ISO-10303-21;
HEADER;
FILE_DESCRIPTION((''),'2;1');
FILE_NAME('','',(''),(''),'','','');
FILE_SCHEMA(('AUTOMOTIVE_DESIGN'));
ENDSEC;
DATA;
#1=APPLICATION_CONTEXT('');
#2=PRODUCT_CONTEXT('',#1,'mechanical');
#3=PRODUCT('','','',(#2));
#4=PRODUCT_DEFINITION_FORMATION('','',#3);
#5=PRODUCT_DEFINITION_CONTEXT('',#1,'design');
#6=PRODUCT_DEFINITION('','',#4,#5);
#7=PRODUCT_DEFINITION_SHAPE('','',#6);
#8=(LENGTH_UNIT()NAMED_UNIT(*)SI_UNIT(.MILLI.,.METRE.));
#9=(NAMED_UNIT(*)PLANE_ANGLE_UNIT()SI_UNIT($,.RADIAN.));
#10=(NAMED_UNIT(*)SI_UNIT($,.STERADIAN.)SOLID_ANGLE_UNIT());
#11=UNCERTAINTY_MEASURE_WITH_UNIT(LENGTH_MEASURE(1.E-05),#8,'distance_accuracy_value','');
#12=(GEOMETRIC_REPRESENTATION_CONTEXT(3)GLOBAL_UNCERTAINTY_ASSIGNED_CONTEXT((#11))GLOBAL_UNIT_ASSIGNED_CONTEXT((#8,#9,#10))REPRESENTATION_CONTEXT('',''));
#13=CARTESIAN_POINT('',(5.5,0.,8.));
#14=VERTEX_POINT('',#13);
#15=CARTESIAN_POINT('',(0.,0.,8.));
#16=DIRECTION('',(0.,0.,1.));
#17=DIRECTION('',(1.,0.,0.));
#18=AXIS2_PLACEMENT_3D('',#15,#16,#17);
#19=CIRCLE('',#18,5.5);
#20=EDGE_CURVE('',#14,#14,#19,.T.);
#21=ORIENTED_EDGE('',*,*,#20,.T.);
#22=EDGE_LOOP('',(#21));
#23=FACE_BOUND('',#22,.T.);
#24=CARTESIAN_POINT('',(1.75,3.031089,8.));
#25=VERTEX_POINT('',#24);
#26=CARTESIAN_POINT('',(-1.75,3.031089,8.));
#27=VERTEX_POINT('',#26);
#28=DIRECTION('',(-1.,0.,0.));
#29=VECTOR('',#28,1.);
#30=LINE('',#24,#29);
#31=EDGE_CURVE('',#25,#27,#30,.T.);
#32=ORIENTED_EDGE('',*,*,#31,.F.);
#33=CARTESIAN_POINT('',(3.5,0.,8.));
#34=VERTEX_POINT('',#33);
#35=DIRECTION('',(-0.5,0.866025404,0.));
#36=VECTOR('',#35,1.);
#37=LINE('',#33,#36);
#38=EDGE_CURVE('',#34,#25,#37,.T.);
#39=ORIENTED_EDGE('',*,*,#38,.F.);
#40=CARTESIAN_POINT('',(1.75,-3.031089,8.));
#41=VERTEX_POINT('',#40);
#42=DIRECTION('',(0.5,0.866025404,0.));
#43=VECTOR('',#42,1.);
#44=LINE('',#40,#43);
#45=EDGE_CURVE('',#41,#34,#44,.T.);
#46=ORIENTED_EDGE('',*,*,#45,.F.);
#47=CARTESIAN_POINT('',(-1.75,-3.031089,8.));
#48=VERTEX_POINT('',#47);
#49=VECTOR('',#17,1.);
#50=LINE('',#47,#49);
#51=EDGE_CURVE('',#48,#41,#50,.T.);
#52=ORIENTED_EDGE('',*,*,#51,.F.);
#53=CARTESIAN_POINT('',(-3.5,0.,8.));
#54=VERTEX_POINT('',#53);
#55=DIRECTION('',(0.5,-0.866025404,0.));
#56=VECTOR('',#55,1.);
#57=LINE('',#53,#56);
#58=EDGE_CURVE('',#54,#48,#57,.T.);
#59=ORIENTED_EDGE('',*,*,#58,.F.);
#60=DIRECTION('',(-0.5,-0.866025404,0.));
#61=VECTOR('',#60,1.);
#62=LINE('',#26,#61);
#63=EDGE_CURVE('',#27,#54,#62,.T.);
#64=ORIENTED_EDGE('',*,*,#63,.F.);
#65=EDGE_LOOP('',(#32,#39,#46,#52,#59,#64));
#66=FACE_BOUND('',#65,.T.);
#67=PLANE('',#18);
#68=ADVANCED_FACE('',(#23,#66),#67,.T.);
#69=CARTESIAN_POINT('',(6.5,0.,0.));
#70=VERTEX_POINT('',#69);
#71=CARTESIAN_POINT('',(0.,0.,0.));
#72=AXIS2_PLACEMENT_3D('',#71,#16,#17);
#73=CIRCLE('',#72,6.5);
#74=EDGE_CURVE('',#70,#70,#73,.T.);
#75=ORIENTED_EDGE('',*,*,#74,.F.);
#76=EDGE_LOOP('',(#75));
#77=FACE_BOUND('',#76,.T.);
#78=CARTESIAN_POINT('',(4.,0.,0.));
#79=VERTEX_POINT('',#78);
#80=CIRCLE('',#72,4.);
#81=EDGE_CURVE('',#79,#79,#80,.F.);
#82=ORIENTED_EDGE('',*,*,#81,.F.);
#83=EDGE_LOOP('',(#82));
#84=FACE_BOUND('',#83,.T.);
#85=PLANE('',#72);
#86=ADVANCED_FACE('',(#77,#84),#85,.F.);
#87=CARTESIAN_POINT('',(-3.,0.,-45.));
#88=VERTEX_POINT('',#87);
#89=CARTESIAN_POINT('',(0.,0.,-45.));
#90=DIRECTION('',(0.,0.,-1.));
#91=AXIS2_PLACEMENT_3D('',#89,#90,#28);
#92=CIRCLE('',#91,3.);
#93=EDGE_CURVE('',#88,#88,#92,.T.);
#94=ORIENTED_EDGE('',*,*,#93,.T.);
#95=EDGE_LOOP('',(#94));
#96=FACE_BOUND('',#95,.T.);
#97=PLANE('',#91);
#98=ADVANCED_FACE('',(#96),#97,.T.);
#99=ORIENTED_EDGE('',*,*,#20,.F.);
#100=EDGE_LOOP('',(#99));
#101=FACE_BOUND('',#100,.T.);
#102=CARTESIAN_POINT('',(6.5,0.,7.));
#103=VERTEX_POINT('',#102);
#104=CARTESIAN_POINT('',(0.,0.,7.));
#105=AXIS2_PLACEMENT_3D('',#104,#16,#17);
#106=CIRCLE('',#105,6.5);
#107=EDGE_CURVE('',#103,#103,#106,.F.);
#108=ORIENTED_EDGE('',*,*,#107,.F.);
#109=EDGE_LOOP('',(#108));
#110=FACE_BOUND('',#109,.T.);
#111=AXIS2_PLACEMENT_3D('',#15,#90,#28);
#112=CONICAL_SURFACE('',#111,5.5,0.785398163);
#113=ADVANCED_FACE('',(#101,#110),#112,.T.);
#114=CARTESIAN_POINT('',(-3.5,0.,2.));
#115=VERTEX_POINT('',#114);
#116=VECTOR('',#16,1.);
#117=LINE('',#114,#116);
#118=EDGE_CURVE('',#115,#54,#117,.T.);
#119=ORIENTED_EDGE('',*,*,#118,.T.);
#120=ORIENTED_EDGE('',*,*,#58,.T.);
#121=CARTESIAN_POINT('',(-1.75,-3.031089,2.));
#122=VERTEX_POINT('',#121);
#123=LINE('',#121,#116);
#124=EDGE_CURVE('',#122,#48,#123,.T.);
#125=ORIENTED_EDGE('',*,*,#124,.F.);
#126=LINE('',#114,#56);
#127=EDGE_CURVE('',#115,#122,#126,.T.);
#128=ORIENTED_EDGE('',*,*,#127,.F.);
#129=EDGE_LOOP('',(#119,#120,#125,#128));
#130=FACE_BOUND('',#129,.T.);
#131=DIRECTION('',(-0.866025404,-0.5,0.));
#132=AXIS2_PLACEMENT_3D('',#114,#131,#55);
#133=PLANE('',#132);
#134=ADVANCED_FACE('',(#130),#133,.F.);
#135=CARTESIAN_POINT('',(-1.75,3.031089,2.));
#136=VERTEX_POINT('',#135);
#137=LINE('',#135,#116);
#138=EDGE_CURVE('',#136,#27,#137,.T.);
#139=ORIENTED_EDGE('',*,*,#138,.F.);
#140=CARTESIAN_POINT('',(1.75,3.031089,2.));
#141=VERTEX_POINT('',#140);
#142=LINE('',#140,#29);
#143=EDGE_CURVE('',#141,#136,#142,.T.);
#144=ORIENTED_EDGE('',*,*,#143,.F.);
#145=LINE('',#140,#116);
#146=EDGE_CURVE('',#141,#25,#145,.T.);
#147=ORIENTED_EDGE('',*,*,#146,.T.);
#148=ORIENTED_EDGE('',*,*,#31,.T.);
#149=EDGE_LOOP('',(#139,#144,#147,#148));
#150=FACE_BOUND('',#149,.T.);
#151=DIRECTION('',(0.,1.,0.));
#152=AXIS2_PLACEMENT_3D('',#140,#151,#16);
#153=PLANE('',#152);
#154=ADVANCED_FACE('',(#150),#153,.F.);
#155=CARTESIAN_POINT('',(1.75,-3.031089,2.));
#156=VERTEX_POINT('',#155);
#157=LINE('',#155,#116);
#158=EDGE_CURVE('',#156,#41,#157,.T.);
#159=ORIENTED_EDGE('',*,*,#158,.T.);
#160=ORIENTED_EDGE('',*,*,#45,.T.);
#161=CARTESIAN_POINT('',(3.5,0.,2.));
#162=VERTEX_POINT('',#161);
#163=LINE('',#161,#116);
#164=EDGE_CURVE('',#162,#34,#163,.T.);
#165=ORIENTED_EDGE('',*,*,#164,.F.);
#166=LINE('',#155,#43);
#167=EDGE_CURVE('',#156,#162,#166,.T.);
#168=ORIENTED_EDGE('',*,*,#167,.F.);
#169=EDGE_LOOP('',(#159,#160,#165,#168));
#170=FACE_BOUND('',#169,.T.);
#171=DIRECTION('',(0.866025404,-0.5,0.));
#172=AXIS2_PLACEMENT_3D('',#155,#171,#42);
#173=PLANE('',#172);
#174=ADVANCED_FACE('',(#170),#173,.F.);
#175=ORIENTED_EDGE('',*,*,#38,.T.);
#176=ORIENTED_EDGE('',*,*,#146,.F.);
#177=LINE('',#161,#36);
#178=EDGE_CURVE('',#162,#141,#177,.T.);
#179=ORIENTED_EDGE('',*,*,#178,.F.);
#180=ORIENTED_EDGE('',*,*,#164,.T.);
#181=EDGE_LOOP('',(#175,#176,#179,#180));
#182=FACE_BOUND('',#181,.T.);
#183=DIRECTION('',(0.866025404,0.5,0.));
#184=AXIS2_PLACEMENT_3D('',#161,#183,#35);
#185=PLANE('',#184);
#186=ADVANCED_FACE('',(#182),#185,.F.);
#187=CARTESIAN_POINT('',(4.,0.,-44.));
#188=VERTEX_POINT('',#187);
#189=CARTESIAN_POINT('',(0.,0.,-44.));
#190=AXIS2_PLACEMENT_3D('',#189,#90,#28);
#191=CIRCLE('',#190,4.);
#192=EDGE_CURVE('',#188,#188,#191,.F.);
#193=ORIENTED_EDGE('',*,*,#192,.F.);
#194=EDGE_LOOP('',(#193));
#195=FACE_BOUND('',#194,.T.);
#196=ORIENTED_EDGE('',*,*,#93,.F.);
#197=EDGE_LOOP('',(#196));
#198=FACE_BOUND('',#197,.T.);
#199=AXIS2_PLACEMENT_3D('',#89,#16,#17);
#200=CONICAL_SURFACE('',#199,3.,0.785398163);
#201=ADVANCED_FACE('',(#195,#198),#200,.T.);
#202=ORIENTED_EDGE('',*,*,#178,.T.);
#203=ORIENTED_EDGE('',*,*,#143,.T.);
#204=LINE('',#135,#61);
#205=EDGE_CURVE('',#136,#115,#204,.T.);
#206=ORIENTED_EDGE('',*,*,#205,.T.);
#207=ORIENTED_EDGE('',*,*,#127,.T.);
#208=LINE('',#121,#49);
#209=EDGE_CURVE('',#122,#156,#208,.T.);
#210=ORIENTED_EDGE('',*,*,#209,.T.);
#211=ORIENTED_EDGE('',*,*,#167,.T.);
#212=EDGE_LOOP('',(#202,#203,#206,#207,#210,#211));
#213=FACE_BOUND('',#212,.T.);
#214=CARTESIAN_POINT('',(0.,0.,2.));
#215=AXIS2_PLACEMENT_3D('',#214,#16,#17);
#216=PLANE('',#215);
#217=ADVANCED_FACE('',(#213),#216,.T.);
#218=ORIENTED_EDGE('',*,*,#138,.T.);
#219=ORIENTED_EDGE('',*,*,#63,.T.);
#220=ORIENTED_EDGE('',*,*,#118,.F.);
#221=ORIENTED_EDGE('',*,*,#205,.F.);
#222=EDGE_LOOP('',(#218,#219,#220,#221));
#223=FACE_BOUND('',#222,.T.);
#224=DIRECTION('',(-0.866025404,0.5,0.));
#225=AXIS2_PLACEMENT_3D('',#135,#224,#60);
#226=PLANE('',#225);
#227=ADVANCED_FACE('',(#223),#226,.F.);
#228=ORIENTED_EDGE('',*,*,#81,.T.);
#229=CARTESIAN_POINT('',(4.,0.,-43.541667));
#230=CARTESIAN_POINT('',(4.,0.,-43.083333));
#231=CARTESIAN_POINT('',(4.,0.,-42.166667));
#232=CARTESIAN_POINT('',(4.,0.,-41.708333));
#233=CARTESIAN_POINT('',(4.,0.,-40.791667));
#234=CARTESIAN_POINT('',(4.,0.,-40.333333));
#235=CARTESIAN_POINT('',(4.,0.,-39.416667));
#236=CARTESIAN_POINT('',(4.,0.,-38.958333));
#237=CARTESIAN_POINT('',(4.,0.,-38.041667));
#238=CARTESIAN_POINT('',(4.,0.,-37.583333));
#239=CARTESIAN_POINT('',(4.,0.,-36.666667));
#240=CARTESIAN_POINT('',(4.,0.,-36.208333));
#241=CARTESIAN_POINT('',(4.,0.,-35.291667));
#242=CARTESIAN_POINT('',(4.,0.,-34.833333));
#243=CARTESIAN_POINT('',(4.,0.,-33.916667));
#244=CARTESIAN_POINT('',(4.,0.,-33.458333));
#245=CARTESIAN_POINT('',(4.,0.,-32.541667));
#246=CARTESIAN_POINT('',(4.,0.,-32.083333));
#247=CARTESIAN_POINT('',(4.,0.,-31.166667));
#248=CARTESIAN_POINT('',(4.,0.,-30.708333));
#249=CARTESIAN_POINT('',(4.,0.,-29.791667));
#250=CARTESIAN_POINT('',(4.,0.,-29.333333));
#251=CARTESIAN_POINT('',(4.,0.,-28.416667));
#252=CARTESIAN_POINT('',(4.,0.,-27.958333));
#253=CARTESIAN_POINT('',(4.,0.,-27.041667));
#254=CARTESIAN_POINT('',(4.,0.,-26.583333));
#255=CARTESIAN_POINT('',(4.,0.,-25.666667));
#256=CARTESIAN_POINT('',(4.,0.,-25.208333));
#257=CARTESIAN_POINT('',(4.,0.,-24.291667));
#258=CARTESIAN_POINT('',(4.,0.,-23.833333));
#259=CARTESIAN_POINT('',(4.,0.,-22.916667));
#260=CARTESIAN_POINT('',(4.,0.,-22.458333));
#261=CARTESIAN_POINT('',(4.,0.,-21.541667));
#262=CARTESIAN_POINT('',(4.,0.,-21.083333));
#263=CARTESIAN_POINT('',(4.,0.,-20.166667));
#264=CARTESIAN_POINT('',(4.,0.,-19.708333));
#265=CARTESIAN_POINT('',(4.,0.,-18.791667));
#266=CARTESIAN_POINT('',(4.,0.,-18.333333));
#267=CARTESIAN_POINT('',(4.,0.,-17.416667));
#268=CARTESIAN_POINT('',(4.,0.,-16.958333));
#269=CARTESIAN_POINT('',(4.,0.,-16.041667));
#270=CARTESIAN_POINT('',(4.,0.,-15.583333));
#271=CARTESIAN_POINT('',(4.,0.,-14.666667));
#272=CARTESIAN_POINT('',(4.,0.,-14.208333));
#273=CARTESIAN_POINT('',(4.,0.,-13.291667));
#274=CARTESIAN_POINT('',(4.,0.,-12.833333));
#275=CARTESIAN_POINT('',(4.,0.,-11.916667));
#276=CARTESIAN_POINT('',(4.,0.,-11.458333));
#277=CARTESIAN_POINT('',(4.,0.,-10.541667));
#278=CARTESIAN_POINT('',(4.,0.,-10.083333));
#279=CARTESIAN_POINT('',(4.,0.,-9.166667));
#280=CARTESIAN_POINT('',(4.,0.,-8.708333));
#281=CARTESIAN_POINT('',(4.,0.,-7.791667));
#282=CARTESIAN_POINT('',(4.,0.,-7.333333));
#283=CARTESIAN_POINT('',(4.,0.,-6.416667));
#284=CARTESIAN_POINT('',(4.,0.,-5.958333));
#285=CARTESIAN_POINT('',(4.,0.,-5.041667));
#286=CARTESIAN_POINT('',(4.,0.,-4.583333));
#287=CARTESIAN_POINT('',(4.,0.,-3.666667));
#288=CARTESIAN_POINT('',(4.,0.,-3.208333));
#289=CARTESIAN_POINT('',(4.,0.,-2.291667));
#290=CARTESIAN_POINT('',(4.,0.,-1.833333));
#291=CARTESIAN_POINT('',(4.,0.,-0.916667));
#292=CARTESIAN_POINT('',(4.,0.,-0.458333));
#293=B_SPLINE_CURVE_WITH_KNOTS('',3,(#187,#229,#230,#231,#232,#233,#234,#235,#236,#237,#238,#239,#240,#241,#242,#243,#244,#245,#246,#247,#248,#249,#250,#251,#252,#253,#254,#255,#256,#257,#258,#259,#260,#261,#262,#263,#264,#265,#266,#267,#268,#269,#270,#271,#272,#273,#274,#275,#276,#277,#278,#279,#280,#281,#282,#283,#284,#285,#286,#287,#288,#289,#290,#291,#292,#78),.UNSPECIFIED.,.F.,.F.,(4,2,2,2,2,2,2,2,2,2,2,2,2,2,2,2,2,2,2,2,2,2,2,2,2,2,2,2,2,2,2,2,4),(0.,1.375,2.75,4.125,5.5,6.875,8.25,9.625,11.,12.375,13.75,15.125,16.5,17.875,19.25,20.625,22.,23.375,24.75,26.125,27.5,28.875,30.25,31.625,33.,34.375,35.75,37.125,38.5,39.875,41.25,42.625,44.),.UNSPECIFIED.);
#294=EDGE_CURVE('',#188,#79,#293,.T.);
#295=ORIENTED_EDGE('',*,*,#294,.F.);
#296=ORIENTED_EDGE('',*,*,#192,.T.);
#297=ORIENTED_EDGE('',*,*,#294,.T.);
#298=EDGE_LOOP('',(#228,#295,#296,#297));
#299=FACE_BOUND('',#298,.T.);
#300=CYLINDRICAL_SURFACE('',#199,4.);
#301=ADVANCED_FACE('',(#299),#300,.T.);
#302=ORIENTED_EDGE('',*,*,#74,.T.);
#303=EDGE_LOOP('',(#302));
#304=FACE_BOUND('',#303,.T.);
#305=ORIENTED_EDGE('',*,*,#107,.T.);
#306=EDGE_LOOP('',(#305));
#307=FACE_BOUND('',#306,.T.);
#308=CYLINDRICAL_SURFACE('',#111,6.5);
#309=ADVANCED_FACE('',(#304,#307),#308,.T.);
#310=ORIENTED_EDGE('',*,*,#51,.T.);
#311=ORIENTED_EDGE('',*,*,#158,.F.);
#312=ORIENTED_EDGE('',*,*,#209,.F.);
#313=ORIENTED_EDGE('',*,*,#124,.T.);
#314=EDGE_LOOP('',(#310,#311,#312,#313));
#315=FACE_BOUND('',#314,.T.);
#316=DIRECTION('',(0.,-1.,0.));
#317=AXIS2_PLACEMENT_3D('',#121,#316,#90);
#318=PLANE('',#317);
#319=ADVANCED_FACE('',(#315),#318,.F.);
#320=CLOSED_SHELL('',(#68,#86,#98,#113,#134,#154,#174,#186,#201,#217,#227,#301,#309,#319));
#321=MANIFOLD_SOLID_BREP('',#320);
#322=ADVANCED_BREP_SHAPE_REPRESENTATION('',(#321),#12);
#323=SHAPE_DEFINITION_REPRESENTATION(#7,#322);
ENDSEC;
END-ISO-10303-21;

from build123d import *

# Parameters (mm, degrees)
CROQUIS1_R              = 6.5
SALIENTE_EXTRUIR1_DEPTH = 8
CROQUIS2_R              = 4
SALIENTE_EXTRUIR2_DEPTH = 45
CHAFL_N1_SIZE           = 1
CORTAR_EXTRUIR1_DEPTH   = 6


with BuildPart() as part:
    # Croquis1 → Saliente-Extruir1 (new body)
    with BuildSketch(Plane.XY):
        Circle(CROQUIS1_R)
    extrude(amount=SALIENTE_EXTRUIR1_DEPTH)

    # Croquis2 → Saliente-Extruir2 (add)
    with BuildSketch(Plane(origin=(0, 0, 0), x_dir=(-1, 0, 0), z_dir=(0, 0, -1))):
        with Locations(Location((0, 0, 0), (0, 0, 180))):
            Circle(CROQUIS2_R)
    extrude(amount=SALIENTE_EXTRUIR2_DEPTH)

    # Chaflán1
    chafl_n1_edges = [part.edges().sort_by_distance(p)[0] for p in [
        (-6.5, 0, 8),
        (-4, 0, -45),
    ]]
    chamfer(chafl_n1_edges, length=CHAFL_N1_SIZE)

    # Croquis3 → Cortar-Extruir1 (cut)
    with BuildSketch(Plane.XY.offset(8)):
        Polygon((3.5, 0), (1.75, 3.031088913), (-1.75, 3.031088913), (-3.5, 0), (-1.75, -3.031088913), (1.75, -3.031088913), align=None)
    extrude(amount=-CORTAR_EXTRUIR1_DEPTH, mode=Mode.SUBTRACT)


solid = part.part
